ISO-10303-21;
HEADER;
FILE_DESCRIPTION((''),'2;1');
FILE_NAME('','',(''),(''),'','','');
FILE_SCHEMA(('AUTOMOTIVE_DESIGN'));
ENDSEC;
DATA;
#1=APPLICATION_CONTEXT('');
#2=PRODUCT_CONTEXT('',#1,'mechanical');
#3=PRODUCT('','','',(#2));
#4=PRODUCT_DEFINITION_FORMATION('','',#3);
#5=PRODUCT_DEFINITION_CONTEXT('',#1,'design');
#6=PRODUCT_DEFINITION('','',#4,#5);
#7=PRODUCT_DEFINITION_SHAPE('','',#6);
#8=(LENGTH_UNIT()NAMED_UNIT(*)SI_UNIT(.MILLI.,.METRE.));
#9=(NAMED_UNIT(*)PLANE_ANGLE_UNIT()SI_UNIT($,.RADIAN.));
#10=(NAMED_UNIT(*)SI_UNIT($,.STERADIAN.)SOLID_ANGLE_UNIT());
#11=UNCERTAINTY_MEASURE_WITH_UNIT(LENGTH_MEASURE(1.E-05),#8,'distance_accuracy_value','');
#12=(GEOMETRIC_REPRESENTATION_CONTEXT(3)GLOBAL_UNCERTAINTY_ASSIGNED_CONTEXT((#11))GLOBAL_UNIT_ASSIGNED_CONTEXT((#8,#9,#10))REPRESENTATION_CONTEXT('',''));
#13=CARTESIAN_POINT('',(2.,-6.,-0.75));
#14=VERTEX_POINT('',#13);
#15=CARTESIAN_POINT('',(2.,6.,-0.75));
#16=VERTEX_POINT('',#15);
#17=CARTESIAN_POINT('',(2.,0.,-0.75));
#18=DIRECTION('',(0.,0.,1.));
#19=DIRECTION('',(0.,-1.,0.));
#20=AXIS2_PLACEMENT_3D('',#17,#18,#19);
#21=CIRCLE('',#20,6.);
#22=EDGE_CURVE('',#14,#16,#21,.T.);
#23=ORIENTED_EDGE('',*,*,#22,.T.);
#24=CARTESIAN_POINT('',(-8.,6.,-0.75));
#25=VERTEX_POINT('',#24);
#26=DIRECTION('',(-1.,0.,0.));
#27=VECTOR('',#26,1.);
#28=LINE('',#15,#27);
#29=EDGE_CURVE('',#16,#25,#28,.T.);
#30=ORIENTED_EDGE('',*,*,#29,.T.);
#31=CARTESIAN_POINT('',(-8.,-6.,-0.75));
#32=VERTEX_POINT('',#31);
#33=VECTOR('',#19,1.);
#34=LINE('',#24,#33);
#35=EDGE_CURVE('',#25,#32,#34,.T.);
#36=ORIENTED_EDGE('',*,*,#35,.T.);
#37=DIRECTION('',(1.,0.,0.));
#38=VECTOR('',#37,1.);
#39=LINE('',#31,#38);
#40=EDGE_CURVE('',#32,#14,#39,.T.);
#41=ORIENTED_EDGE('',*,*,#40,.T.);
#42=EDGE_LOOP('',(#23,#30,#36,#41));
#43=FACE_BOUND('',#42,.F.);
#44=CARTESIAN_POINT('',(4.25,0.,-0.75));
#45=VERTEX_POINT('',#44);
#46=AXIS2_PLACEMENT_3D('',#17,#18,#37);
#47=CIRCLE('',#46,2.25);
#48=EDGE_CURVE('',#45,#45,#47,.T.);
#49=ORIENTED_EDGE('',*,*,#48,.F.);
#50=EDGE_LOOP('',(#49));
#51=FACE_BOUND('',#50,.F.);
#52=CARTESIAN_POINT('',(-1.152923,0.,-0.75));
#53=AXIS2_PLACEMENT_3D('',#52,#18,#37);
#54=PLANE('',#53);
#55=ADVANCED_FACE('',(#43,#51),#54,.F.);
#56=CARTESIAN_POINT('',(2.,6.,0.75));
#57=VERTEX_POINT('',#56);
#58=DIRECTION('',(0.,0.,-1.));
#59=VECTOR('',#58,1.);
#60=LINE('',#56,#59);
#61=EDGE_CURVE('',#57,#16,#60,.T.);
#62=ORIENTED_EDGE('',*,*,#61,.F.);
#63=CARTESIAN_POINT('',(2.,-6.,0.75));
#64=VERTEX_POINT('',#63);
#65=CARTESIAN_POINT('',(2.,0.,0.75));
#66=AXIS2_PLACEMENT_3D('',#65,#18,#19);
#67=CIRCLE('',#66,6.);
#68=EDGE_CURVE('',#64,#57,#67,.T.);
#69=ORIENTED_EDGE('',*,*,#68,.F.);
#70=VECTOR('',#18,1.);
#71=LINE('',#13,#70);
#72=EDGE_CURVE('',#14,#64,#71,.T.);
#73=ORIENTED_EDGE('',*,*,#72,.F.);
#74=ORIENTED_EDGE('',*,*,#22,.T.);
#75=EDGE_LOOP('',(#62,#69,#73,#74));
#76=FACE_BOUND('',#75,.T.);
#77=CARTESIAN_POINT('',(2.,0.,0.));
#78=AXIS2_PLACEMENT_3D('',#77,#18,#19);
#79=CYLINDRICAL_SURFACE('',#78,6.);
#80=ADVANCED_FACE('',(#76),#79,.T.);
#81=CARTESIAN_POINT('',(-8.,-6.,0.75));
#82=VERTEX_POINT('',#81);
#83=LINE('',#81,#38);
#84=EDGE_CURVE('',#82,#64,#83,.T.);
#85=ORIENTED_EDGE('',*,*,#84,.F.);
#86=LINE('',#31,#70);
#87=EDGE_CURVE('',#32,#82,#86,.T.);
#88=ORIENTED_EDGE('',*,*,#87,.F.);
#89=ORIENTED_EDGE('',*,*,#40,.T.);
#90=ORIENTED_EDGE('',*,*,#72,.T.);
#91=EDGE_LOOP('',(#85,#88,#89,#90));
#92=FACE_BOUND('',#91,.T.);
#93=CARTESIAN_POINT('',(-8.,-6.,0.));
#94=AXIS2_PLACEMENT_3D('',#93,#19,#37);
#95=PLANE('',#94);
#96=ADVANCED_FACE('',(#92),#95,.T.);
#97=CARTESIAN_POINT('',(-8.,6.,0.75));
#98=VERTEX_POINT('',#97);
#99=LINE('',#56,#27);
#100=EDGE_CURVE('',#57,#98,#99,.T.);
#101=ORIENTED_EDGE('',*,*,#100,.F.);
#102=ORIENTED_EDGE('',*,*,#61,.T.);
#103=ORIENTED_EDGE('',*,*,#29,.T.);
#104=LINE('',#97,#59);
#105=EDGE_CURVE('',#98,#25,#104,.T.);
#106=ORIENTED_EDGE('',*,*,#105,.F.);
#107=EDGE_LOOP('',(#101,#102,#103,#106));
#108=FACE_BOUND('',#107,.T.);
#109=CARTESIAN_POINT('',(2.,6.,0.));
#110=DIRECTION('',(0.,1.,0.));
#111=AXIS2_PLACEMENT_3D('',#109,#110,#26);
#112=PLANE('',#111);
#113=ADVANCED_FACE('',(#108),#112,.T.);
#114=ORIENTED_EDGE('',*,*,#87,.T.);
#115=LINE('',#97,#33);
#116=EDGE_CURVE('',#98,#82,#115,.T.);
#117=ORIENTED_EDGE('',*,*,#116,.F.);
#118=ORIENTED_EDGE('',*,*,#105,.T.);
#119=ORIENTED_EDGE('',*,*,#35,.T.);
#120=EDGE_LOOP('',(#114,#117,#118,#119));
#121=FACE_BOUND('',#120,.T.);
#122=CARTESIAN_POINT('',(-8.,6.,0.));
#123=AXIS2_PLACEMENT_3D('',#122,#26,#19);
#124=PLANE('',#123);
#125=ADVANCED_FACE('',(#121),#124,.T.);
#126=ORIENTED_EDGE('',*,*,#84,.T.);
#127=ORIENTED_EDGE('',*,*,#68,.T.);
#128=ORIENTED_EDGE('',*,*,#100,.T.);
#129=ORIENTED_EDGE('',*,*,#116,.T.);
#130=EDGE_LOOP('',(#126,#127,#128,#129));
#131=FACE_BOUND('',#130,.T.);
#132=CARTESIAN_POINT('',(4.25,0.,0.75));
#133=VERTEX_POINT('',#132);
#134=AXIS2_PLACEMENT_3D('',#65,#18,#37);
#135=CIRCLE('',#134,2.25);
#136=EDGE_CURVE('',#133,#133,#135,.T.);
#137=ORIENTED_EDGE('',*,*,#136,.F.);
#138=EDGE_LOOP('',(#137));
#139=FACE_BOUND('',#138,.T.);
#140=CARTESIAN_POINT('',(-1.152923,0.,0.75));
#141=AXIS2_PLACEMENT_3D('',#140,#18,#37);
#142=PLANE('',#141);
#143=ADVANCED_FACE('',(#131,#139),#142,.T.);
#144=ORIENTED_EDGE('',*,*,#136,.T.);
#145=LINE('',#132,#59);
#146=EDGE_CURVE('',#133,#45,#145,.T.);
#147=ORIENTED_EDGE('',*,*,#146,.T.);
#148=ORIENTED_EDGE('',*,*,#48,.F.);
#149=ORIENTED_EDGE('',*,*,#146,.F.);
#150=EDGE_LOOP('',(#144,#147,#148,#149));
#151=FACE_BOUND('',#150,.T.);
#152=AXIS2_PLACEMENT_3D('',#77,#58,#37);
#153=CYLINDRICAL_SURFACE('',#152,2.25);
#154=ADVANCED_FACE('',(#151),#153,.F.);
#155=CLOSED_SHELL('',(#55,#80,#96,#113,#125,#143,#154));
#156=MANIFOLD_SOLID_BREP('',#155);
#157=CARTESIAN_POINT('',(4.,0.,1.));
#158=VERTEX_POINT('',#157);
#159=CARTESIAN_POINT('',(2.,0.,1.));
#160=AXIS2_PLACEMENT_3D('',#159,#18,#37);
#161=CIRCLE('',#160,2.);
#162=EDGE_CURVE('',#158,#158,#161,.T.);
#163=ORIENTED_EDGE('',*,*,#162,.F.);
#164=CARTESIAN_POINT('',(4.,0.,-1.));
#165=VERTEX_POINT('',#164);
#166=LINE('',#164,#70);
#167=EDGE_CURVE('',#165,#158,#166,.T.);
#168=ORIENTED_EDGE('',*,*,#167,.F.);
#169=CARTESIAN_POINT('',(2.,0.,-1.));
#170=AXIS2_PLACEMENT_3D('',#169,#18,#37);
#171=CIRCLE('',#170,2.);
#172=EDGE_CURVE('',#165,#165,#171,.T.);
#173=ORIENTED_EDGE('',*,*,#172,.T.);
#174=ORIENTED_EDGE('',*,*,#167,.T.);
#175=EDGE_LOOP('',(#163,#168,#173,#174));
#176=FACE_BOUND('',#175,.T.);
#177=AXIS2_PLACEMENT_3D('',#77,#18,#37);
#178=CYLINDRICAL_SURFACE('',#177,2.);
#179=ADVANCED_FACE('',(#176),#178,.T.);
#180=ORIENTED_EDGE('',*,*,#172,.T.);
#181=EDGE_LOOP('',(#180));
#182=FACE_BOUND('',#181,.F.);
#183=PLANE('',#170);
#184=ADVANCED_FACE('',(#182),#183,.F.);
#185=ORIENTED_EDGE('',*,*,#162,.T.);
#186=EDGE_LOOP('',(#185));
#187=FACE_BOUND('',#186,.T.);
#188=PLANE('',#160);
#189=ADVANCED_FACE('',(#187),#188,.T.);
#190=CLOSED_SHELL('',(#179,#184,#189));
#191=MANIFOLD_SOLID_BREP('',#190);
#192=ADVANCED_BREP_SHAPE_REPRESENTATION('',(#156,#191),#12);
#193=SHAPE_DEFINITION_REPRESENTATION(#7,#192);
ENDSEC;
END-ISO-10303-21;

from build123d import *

# Parameters (mm, degrees)
F0_R     = 2.25
F1_DEPTH = 0.75
F0_R_2   = 2
F2_DEPTH = 1


with BuildPart() as f1:
    # F0 (on Top) → F1 (new body, symmetric)
    with BuildSketch(Plane.XY):
        with BuildLine():
            Line((-8, 6), (-8, -6))
            Line((-8, -6), (2, -6))
            ThreePointArc((2, -6), (8, 0), (2, 6))
            Line((2, 6), (-8, 6))
        make_face()
        with Locations((2, 0)):
            Circle(F0_R, mode=Mode.SUBTRACT)
    extrude(amount=F1_DEPTH, both=True)


with BuildPart() as f2:
    # F0 (on Top) → F2 (new body, symmetric)
    with BuildSketch(Plane.XY):
        with Locations((2, 0)):
            Circle(F0_R_2)
    extrude(amount=F2_DEPTH, both=True)


solid = Compound([f1.part, f2.part])
